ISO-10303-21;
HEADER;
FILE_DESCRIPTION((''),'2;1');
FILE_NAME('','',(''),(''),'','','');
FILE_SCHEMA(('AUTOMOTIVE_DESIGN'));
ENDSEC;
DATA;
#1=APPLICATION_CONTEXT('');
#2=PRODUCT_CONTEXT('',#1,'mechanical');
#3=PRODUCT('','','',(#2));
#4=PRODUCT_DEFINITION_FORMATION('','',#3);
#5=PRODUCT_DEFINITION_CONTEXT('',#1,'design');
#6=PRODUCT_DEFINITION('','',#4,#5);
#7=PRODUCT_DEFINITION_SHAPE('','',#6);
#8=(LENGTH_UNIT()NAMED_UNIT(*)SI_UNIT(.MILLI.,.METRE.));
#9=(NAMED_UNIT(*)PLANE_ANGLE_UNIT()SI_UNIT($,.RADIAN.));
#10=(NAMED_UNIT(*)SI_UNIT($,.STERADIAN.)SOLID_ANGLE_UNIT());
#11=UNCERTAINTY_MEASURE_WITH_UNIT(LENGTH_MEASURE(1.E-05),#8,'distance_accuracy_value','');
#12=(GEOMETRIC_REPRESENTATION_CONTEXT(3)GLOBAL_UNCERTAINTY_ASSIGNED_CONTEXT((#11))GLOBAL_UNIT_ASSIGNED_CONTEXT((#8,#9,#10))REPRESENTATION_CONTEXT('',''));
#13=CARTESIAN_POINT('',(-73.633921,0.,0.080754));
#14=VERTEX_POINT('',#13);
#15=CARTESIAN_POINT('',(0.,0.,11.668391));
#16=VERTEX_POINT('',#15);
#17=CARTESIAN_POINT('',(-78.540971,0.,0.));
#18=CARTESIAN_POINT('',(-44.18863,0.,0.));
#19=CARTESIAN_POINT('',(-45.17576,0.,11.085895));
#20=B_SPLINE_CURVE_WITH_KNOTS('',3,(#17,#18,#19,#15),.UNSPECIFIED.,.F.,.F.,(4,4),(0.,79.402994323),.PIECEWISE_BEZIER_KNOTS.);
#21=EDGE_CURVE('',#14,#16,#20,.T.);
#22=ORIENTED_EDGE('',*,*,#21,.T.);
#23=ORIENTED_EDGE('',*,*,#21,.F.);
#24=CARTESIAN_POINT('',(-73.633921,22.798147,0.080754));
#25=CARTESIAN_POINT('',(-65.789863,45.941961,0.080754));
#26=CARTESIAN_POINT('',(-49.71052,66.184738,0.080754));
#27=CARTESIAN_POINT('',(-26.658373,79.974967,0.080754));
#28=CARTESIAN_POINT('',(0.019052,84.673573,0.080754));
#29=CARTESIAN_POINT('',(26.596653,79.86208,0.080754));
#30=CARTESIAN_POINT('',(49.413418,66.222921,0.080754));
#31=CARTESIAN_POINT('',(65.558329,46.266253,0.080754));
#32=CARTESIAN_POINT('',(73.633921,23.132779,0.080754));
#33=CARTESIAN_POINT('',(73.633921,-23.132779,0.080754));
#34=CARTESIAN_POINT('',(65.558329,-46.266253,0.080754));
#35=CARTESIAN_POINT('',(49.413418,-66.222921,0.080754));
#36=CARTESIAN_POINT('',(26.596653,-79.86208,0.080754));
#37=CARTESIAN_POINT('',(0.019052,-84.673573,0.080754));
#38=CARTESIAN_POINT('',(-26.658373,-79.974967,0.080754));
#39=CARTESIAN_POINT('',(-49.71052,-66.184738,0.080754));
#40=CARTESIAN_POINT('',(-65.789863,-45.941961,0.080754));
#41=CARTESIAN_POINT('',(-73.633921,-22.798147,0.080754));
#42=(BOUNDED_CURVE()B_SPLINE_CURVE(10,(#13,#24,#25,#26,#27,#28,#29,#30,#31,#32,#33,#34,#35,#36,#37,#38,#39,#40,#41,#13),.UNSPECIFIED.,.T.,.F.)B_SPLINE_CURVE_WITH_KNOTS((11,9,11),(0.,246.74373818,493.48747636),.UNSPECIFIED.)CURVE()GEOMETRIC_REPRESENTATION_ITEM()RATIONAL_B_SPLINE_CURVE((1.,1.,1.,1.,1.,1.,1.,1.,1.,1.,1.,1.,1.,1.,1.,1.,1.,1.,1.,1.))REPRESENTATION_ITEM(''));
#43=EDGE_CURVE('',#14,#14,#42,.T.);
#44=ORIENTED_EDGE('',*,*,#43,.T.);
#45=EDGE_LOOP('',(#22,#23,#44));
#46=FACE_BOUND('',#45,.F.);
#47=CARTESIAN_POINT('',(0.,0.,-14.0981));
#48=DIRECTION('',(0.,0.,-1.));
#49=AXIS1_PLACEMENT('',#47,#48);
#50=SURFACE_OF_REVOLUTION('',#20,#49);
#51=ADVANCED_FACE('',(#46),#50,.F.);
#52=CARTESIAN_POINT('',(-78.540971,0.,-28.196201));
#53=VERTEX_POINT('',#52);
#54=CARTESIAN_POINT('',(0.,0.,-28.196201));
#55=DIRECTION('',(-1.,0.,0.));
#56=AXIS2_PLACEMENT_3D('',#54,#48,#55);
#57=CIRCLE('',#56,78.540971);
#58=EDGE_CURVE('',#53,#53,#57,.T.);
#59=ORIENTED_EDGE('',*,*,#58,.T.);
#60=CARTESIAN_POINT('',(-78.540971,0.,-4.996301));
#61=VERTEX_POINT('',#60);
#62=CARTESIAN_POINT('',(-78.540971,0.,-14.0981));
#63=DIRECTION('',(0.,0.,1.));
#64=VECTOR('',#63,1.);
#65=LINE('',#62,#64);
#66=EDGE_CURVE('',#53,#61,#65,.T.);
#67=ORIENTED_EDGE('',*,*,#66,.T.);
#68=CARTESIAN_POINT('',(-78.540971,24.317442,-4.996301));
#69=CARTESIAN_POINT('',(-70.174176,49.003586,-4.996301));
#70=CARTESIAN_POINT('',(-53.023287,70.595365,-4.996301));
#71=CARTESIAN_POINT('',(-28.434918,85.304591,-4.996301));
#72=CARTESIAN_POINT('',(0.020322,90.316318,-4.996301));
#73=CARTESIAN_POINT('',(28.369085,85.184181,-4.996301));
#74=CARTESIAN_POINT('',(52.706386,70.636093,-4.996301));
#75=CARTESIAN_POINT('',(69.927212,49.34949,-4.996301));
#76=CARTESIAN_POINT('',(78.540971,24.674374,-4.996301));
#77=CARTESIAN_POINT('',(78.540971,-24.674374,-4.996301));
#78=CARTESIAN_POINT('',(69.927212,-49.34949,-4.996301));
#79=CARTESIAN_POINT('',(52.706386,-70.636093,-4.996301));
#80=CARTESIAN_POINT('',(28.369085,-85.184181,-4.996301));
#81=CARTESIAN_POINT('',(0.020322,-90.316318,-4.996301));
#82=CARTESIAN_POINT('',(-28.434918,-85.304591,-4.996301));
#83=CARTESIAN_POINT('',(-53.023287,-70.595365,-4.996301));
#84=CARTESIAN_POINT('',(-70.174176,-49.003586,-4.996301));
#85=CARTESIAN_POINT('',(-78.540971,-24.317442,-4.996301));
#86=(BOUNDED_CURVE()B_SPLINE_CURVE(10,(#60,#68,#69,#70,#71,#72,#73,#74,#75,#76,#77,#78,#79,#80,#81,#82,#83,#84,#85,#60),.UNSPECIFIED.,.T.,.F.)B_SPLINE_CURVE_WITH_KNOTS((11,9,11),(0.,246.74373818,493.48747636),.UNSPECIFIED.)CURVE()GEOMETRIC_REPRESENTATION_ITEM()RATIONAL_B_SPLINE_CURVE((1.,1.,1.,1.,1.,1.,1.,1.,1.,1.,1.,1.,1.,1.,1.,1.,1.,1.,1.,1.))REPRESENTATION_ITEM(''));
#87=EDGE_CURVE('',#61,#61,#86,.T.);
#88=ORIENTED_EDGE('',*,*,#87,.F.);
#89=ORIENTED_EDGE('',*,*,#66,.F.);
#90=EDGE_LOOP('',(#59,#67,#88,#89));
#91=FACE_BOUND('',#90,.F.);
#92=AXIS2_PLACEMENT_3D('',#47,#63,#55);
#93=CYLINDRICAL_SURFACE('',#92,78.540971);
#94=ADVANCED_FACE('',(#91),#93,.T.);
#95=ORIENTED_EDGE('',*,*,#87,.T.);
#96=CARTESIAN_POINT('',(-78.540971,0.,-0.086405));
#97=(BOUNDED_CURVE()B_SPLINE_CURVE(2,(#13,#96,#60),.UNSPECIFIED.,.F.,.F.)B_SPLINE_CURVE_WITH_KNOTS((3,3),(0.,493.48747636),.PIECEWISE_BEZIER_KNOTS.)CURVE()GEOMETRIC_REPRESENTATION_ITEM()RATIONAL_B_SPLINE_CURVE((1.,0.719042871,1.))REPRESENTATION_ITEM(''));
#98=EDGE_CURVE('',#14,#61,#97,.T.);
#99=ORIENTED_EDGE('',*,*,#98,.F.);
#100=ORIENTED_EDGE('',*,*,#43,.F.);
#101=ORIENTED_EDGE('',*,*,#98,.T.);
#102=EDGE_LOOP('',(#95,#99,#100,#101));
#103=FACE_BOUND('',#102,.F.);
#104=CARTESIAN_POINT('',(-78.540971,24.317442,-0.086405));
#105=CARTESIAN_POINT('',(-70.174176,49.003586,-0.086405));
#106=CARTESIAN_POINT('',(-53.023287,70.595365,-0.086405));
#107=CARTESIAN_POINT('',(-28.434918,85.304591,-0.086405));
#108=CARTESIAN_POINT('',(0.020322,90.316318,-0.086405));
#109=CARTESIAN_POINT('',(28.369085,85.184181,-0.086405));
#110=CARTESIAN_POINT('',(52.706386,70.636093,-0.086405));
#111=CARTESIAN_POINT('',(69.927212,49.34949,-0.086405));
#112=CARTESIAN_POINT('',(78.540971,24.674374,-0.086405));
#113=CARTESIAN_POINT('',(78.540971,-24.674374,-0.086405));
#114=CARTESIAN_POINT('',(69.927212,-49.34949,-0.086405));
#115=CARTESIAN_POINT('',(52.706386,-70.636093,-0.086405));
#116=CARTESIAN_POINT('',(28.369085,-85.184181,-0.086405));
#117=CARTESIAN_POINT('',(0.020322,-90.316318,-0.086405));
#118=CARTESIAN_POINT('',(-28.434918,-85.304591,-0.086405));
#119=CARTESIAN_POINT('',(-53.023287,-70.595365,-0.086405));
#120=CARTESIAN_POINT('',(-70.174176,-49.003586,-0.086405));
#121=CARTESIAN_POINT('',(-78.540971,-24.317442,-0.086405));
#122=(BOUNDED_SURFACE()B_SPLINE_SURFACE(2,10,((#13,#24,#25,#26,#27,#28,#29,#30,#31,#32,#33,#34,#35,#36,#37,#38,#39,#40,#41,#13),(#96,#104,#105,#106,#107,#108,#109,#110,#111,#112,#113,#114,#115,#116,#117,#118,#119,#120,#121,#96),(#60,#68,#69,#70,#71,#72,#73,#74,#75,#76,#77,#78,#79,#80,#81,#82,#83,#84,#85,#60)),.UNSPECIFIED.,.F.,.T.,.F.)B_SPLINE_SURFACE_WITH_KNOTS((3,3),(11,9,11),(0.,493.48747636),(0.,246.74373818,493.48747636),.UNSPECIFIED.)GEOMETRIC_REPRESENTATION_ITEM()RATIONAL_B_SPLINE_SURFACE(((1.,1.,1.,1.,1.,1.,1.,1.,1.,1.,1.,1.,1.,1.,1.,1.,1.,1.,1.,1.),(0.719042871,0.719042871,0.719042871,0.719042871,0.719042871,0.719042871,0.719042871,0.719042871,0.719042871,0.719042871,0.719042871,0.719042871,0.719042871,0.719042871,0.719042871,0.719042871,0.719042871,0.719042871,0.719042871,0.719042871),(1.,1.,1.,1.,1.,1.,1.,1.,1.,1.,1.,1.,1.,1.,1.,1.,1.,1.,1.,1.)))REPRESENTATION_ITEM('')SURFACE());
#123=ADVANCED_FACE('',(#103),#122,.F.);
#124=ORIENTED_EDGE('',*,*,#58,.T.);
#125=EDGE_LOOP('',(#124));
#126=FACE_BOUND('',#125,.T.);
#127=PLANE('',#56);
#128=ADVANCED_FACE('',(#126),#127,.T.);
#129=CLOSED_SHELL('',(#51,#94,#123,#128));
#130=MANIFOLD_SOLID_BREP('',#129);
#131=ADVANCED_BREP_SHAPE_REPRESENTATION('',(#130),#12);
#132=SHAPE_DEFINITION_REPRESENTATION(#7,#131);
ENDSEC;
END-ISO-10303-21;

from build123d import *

# Parameters (mm, degrees)
F0_W = 78.5409712166
F0_H = 28.1962007284
F2_R = 5.08


with BuildPart() as f1:
    # F0 (on Front) → F1 (revolve)
    with BuildSketch(Plane.XZ):
        with BuildLine():
            add(Edge.make_bspline(
                [(-78.5409712166, 0), (-44.1886295471, 0), (-45.1757596272, 11.0858945773), (0, 11.6683909704)],
                knots=[0, 0, 0, 0, 79.4029943232, 79.4029943232, 79.4029943232, 79.4029943232], degree=3))
            Line((-78.5409712166, 0), (0, 0))
            Line((0, 0), (0, 11.6683909704))
        make_face()
        with Locations((-39.2704856083, -14.0981003642)):
            Rectangle(F0_W, F0_H)
    revolve(axis=Axis((0, 0, -14.0981003642), (0, 0, -1)))

    # F2
    f2_edges = [f1.edges().sort_by_distance(p)[0] for p in [
        (78.540971, 0, 0),
    ]]
    fillet(f2_edges, radius=F2_R)


solid = f1.part
